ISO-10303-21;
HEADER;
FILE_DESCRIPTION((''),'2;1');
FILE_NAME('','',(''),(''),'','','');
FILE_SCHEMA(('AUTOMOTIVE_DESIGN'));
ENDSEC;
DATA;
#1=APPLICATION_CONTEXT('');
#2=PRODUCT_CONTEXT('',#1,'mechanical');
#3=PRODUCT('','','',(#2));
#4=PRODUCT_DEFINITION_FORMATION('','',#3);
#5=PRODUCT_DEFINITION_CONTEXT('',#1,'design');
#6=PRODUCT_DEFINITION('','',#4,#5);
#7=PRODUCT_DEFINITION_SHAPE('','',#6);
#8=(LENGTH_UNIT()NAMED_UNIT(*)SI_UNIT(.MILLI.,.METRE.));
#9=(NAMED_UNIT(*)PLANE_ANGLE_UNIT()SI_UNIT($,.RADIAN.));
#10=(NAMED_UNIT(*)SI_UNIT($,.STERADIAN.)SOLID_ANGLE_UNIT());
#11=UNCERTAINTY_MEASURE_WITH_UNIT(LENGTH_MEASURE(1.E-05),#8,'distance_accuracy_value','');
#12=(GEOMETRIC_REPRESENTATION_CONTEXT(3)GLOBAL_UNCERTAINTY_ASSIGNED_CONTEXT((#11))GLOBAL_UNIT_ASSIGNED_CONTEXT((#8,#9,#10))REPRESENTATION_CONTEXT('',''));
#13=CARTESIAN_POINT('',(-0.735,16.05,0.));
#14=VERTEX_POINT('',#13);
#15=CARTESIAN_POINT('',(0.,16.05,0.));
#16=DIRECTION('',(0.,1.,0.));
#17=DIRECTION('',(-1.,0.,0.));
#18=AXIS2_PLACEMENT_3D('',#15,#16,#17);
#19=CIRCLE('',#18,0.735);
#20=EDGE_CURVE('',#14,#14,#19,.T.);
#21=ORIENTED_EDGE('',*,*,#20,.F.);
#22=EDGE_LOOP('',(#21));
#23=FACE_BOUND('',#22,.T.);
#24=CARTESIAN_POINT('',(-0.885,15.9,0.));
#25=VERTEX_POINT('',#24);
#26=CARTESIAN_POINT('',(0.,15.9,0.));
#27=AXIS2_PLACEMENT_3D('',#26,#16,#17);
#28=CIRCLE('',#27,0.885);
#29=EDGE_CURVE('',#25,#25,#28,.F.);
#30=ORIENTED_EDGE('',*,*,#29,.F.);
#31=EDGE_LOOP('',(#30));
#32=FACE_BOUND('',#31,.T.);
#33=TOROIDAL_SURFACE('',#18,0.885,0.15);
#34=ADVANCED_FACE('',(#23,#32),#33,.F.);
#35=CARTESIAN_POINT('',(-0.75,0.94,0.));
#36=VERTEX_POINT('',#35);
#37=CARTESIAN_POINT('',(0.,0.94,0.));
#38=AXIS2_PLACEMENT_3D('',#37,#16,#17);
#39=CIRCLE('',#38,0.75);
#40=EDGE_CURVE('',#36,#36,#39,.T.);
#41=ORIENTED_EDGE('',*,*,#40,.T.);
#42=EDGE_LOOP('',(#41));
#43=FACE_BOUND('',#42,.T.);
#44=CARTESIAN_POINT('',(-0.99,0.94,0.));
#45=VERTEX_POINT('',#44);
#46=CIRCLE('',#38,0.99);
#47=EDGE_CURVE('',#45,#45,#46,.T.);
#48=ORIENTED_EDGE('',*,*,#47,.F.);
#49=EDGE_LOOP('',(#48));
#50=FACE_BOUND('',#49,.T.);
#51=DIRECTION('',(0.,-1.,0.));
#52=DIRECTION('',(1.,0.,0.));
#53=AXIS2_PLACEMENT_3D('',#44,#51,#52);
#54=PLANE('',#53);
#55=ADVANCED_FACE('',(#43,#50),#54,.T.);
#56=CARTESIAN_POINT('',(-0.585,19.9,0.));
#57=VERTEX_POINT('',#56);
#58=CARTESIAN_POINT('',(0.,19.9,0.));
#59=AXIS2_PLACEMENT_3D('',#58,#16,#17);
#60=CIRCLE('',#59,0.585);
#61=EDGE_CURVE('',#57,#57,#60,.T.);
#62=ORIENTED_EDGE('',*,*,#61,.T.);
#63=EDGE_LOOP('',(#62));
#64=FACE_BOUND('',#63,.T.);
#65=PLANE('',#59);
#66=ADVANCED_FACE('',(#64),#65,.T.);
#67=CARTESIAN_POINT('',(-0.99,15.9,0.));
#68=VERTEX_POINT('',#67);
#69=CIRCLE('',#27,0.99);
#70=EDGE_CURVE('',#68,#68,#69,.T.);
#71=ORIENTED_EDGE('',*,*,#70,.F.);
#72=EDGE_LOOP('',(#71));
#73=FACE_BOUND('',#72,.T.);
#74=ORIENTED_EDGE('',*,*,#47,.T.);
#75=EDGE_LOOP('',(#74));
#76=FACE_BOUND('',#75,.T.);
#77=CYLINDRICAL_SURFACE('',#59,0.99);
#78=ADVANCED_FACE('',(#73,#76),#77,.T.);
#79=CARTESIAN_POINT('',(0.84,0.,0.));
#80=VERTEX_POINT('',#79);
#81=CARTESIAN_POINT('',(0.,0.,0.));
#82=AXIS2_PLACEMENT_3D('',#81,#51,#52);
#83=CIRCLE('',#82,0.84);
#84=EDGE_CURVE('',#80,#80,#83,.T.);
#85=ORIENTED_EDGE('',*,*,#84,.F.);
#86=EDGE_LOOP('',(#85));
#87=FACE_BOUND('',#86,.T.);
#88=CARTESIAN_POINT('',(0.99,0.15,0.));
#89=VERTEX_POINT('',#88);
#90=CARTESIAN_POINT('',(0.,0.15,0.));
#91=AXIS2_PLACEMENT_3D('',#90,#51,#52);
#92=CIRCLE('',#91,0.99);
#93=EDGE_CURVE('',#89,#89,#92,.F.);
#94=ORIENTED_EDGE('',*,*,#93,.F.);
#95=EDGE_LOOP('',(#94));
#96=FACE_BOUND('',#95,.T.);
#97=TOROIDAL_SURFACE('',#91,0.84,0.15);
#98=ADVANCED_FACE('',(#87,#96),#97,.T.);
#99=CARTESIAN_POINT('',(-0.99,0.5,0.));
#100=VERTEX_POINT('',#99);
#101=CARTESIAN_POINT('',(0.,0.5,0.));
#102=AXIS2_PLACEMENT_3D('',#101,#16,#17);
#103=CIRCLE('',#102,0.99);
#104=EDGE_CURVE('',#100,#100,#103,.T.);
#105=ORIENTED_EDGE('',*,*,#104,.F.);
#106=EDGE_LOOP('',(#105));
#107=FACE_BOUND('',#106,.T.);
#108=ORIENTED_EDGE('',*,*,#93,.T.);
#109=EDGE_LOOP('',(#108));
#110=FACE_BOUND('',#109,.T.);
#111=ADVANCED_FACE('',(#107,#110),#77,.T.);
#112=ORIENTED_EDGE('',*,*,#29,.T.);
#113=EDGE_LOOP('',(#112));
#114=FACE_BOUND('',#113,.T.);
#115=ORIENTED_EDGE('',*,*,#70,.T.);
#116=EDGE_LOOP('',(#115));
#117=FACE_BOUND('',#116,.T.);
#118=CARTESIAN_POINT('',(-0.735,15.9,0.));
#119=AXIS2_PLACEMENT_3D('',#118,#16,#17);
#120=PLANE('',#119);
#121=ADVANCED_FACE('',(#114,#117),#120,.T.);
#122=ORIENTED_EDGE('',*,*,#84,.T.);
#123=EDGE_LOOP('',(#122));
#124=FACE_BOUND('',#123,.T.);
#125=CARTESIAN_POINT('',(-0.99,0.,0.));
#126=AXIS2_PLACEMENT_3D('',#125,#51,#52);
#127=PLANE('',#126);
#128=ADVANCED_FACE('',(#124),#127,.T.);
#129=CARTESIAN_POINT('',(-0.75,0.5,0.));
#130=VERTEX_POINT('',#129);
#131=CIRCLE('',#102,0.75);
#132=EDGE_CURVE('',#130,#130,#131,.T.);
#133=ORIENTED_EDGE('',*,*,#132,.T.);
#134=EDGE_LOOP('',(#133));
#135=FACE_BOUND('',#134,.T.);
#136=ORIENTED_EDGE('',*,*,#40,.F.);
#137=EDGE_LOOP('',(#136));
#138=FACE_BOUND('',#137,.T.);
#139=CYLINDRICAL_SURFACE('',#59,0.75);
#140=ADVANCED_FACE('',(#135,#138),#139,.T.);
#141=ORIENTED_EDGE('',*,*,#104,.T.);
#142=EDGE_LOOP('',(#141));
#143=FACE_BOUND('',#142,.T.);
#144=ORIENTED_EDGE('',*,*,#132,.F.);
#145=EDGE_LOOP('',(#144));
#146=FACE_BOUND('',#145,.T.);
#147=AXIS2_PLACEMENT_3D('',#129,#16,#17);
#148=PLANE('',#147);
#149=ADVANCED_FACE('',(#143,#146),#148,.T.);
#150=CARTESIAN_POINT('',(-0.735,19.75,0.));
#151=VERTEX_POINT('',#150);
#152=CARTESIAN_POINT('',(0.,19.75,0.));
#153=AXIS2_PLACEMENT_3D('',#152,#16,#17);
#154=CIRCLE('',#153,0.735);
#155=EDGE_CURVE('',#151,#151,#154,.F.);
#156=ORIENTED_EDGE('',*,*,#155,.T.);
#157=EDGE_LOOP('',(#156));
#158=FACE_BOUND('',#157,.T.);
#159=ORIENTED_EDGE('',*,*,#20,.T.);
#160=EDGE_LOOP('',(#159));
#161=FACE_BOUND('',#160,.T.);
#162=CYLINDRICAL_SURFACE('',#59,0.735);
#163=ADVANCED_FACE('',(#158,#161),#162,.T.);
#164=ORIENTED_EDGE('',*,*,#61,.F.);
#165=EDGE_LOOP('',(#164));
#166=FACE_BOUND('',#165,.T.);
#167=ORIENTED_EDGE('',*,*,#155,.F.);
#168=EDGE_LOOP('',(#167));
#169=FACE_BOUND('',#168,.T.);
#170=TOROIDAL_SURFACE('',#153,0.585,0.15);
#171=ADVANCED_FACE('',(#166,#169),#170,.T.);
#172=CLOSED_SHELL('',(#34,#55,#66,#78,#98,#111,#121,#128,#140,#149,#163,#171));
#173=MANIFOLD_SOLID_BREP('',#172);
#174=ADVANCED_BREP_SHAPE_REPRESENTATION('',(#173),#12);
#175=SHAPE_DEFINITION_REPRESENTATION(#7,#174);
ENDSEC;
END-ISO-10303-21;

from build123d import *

# Parameters (mm, degrees)
FILLET1_R = 0.15


with BuildPart() as part:
    # Sketch1 → Revolve1 (revolve)
    with BuildSketch(Plane.XY):
        Polygon((0, 19.9), (-0.735, 19.9), (-0.735, 15.9), (-0.99, 15.9), (-0.99, 0.94), (-0.75, 0.94), (-0.75, 0.5), (-0.99, 0.5), (-0.99, 0), (0, 0), align=None)
    revolve(axis=Axis((0, 19.9, 0), (0, -1, 0)))

    # Fillet1
    fillet1_edges = [part.edges().sort_by_distance(p)[0] for p in [
        (0.735, 15.9, 0),
        (0.735, 19.9, 0),
        (0.99, 0, 0),
    ]]
    fillet(fillet1_edges, radius=FILLET1_R)


solid = part.part
